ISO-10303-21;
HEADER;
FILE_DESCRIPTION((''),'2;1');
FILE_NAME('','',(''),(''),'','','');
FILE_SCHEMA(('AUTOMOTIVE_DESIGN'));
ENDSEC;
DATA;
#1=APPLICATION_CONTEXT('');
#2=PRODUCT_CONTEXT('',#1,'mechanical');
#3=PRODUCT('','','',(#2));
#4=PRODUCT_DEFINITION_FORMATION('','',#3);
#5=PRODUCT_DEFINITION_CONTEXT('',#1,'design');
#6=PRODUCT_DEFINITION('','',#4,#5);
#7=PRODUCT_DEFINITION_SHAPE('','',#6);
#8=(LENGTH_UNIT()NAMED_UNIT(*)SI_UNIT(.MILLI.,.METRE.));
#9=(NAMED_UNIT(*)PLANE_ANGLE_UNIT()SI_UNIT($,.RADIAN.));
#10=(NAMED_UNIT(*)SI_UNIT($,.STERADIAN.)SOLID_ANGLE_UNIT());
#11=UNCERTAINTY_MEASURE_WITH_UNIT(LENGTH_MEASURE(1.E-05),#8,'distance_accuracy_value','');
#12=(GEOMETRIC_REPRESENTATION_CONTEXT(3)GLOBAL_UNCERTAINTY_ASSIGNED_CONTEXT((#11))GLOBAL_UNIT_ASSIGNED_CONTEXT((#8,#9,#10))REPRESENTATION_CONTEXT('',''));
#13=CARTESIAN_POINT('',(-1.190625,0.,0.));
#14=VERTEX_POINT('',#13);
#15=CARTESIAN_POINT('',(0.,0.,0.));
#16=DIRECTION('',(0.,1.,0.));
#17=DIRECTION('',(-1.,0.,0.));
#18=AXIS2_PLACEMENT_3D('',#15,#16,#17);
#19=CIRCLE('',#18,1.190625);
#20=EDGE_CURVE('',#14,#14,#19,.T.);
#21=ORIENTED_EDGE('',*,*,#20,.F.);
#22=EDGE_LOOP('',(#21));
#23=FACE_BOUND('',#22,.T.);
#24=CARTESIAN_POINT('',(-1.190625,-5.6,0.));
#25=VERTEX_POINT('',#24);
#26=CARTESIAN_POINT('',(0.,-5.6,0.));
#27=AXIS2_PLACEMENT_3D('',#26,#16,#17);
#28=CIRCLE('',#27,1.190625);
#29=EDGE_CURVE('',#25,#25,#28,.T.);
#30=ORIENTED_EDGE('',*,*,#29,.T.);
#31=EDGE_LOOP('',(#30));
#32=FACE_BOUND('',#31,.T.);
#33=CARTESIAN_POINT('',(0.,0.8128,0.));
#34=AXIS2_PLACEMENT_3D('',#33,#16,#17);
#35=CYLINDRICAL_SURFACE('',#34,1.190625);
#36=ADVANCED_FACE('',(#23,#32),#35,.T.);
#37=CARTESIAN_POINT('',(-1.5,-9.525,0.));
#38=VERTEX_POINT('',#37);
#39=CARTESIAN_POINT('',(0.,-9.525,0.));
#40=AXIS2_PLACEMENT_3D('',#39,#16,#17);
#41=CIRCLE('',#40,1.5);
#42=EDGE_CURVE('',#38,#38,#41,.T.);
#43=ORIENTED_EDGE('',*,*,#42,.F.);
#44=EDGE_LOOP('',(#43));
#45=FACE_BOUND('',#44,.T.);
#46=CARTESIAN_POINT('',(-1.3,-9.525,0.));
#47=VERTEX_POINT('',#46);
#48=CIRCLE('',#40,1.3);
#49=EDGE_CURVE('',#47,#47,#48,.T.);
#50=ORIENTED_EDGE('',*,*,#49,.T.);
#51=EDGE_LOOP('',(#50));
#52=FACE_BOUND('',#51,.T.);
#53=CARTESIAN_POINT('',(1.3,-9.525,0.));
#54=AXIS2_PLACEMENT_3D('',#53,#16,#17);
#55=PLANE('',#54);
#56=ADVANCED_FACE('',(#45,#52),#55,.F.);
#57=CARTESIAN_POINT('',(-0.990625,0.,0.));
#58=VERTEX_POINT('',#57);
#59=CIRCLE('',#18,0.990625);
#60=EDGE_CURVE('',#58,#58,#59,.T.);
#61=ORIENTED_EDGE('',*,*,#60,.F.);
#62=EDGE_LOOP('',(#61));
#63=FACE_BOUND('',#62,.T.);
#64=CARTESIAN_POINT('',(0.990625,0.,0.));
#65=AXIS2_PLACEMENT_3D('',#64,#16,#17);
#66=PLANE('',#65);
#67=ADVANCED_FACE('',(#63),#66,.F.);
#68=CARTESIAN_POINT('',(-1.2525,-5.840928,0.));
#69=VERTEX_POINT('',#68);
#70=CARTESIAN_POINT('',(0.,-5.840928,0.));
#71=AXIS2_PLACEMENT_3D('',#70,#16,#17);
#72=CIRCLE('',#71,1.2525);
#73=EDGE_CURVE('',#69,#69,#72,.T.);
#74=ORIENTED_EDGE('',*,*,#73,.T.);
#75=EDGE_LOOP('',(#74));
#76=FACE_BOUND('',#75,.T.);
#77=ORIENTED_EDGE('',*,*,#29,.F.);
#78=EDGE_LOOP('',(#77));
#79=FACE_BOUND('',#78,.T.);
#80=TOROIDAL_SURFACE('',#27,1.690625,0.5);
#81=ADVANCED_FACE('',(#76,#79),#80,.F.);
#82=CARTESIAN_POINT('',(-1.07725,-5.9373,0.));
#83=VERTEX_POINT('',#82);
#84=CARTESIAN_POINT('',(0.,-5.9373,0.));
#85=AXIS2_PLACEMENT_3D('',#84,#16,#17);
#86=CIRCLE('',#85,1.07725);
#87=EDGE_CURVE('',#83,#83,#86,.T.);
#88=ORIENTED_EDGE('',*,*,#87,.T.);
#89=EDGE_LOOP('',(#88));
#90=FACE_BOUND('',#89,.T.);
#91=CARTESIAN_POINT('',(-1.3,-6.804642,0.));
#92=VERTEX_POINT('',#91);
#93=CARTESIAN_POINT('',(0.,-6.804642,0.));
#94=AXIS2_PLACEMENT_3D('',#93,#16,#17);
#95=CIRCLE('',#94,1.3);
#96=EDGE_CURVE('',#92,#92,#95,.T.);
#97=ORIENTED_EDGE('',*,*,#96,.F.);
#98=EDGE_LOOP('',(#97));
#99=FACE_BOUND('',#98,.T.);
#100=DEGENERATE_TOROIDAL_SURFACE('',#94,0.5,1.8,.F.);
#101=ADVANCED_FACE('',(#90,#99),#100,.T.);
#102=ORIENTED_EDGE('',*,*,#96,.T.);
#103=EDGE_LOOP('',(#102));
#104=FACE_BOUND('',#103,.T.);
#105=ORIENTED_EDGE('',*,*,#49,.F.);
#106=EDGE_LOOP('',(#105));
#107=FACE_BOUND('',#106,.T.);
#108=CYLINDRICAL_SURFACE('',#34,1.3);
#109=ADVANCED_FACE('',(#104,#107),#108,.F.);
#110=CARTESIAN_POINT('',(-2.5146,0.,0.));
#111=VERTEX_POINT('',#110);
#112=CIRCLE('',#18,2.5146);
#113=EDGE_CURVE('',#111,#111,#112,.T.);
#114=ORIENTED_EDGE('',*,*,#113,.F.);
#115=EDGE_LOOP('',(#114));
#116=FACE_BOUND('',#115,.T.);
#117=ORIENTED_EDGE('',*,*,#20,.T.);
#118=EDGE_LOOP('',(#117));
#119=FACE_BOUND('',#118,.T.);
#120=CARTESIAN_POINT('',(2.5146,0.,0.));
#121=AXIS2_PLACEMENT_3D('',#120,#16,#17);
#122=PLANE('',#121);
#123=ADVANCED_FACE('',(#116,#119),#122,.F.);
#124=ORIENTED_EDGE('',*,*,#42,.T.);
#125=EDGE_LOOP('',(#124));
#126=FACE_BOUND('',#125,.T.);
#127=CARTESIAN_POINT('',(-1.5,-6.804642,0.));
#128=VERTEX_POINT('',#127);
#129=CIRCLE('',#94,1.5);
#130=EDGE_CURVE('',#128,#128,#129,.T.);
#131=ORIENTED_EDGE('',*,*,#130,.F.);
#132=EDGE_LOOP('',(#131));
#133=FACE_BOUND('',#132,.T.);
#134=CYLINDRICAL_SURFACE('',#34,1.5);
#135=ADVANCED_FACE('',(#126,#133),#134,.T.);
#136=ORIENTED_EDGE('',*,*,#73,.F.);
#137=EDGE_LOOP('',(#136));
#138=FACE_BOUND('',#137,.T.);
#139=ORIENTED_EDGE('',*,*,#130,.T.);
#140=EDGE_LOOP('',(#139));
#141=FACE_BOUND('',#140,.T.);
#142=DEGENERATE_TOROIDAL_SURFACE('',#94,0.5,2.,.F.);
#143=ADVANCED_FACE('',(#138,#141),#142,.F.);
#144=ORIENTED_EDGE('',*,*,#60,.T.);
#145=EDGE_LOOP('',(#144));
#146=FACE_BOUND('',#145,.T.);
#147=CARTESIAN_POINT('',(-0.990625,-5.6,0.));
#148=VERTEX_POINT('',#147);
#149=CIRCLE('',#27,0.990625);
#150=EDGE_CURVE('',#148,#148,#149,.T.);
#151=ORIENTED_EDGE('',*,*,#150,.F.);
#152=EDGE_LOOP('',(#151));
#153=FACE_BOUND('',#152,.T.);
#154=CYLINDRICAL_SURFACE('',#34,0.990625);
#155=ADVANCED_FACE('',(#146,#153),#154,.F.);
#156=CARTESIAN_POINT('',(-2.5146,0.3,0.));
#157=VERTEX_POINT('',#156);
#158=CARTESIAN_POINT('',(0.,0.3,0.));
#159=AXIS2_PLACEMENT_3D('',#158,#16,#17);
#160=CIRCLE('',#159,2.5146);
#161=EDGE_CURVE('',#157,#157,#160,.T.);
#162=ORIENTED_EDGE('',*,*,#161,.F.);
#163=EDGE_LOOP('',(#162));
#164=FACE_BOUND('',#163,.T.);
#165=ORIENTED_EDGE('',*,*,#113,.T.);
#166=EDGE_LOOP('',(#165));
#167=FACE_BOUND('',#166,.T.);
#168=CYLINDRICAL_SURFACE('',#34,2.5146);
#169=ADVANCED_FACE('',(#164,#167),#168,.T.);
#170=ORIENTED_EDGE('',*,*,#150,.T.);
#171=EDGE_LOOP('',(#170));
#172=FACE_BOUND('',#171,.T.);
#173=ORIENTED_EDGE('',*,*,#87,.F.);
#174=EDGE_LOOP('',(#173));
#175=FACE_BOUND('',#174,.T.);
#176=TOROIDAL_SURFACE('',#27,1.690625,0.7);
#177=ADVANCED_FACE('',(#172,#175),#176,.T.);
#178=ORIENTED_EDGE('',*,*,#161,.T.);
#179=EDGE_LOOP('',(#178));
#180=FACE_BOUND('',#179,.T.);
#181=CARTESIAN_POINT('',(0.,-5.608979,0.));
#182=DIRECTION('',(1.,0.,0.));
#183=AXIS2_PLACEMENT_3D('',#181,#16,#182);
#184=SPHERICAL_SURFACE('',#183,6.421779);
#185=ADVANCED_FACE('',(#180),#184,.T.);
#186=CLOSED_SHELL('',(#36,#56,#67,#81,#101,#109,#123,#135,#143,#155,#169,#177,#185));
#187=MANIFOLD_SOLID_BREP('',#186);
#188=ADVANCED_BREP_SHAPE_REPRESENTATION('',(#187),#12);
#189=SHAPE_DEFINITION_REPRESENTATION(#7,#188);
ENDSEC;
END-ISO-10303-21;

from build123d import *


with BuildPart() as part:
    # Sketch1 → Revolve1 (revolve)
    with BuildSketch(Plane.XY):
        with BuildLine():
            Line((1.3, -6.804641901), (1.3, -9.525))
            Line((1.3, -9.525), (1.5, -9.525))
            Line((1.5, -9.525), (1.5, -6.804641901))
            ThreePointArc((1.5, -6.804641901), (1.437137063, -6.307148182), (1.2525, -5.84092838))
            ThreePointArc((1.2525, -5.84092838), (1.206340734, -5.72437343), (1.190625, -5.6))
            Line((1.190625, -5.6), (1.190625, 0))
            Line((1.190625, 0), (2.5146, 0))
            Line((2.5146, 0), (2.5146, 0.3))
            ThreePointArc((2.5146, 0.3), (1.283177404, 0.68329415), (0, 0.8128))
            Line((0, 0.8128), (0, 0))
            Line((0, 0), (0.990625, 0))
            Line((0.990625, 0), (0.990625, -5.6))
            ThreePointArc((0.990625, -5.6), (1.012627028, -5.774122801), (1.07725, -5.937299732))
            ThreePointArc((1.07725, -5.937299732), (1.243423357, -6.356897554), (1.3, -6.804641901))
        make_face()
    revolve(axis=Axis((0, 0.8128, 0), (0, -1, 0)))


solid = part.part
